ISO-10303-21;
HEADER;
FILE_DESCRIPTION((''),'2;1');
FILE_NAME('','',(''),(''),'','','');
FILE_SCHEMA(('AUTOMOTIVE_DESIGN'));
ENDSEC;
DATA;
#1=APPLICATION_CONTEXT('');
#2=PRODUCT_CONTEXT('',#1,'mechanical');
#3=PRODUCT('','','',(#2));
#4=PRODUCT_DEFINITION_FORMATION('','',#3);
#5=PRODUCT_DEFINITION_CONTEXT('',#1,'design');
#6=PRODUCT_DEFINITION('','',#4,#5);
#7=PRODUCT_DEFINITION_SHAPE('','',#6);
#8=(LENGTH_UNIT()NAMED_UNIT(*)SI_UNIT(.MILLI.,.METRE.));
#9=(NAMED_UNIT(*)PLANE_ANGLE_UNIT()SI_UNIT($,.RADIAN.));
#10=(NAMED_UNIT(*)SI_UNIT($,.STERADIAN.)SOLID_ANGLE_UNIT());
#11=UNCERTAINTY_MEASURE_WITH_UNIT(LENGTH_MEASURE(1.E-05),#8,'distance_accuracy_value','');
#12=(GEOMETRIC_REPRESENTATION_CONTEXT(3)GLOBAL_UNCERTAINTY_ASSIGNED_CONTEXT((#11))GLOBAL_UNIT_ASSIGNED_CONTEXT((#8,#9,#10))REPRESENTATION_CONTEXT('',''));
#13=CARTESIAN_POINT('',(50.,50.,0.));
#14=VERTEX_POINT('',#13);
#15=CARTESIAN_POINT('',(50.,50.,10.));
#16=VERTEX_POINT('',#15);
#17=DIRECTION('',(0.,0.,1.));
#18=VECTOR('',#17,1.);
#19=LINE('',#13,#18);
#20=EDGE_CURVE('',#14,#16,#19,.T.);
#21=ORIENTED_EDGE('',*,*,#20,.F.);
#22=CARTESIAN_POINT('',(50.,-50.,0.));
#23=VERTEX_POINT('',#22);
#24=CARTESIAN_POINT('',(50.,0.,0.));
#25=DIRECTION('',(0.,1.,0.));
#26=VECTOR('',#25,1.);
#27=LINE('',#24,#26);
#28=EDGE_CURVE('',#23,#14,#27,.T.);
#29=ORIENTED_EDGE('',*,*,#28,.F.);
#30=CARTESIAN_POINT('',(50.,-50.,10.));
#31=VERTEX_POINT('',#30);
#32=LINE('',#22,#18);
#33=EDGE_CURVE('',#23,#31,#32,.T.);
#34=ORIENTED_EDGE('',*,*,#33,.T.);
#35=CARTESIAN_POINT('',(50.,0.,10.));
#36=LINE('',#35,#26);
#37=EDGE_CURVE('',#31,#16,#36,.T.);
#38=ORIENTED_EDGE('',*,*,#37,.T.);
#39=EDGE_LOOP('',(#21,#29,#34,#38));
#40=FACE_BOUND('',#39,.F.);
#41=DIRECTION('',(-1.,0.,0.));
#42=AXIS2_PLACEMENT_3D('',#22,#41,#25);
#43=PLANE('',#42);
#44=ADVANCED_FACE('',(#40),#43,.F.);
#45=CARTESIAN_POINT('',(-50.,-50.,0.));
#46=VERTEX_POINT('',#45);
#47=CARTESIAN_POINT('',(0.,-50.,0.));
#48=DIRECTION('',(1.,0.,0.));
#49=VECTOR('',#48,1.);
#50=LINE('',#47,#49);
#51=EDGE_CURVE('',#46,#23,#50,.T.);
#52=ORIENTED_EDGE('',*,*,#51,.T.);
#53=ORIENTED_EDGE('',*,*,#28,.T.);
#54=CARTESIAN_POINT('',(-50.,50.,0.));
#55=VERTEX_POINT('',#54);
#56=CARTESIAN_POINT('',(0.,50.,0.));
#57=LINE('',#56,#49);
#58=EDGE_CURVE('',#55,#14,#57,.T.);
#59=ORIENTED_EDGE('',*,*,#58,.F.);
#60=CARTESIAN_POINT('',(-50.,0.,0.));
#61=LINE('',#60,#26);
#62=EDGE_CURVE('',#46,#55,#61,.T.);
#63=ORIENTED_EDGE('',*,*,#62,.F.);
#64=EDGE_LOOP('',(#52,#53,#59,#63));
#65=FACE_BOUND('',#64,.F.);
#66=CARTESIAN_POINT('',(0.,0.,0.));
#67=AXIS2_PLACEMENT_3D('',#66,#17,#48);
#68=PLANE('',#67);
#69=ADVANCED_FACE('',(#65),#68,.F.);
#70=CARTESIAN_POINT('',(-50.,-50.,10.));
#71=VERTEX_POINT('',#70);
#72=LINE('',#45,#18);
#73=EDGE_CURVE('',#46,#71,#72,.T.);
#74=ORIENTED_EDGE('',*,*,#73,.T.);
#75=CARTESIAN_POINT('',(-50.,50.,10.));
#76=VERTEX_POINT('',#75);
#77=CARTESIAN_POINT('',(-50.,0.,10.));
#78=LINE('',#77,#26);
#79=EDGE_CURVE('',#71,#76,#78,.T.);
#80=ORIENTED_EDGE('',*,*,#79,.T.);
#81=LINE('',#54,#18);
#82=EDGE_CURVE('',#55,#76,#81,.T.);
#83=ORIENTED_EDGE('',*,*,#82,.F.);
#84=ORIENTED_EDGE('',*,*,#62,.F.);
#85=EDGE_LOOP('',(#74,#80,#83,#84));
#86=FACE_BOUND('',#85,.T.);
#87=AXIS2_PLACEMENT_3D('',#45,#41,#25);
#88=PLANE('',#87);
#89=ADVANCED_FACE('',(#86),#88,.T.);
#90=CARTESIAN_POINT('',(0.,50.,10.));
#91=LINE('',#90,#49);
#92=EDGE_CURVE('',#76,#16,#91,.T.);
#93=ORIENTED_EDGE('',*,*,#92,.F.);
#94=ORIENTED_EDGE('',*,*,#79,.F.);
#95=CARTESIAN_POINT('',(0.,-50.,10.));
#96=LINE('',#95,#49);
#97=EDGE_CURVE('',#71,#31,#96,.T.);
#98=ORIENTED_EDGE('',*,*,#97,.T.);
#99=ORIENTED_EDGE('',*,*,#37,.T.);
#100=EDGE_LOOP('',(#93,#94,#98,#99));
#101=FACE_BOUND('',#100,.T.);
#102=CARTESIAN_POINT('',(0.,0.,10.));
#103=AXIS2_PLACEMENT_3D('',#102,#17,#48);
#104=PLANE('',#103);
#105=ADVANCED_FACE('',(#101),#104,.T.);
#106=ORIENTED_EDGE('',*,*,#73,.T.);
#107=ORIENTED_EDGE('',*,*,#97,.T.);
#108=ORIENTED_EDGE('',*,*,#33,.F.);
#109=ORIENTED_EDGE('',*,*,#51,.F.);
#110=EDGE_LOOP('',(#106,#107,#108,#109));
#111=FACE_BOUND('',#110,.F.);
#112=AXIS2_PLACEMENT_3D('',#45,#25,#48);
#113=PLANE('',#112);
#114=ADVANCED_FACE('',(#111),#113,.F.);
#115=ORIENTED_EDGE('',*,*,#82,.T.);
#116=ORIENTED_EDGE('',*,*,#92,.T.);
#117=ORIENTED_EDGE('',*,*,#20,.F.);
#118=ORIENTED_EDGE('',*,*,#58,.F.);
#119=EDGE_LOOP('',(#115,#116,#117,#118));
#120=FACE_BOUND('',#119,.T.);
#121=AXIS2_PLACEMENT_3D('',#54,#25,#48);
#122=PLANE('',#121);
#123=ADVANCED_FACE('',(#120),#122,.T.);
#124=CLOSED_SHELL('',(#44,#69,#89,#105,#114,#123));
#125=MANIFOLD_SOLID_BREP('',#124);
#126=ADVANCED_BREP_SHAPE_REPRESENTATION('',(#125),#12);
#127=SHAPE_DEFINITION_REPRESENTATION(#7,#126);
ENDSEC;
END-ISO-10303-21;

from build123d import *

# Parameters (mm, degrees)
SKETCH1_W           = 100
SKETCH1_H           = 100
BOSS_EXTRUDE1_DEPTH = 10


with BuildPart() as part:
    # Sketch1 → Boss-Extrude1 (new body)
    with BuildSketch(Plane.XY):
        Rectangle(SKETCH1_W, SKETCH1_H)
    extrude(amount=BOSS_EXTRUDE1_DEPTH)


solid = part.part
